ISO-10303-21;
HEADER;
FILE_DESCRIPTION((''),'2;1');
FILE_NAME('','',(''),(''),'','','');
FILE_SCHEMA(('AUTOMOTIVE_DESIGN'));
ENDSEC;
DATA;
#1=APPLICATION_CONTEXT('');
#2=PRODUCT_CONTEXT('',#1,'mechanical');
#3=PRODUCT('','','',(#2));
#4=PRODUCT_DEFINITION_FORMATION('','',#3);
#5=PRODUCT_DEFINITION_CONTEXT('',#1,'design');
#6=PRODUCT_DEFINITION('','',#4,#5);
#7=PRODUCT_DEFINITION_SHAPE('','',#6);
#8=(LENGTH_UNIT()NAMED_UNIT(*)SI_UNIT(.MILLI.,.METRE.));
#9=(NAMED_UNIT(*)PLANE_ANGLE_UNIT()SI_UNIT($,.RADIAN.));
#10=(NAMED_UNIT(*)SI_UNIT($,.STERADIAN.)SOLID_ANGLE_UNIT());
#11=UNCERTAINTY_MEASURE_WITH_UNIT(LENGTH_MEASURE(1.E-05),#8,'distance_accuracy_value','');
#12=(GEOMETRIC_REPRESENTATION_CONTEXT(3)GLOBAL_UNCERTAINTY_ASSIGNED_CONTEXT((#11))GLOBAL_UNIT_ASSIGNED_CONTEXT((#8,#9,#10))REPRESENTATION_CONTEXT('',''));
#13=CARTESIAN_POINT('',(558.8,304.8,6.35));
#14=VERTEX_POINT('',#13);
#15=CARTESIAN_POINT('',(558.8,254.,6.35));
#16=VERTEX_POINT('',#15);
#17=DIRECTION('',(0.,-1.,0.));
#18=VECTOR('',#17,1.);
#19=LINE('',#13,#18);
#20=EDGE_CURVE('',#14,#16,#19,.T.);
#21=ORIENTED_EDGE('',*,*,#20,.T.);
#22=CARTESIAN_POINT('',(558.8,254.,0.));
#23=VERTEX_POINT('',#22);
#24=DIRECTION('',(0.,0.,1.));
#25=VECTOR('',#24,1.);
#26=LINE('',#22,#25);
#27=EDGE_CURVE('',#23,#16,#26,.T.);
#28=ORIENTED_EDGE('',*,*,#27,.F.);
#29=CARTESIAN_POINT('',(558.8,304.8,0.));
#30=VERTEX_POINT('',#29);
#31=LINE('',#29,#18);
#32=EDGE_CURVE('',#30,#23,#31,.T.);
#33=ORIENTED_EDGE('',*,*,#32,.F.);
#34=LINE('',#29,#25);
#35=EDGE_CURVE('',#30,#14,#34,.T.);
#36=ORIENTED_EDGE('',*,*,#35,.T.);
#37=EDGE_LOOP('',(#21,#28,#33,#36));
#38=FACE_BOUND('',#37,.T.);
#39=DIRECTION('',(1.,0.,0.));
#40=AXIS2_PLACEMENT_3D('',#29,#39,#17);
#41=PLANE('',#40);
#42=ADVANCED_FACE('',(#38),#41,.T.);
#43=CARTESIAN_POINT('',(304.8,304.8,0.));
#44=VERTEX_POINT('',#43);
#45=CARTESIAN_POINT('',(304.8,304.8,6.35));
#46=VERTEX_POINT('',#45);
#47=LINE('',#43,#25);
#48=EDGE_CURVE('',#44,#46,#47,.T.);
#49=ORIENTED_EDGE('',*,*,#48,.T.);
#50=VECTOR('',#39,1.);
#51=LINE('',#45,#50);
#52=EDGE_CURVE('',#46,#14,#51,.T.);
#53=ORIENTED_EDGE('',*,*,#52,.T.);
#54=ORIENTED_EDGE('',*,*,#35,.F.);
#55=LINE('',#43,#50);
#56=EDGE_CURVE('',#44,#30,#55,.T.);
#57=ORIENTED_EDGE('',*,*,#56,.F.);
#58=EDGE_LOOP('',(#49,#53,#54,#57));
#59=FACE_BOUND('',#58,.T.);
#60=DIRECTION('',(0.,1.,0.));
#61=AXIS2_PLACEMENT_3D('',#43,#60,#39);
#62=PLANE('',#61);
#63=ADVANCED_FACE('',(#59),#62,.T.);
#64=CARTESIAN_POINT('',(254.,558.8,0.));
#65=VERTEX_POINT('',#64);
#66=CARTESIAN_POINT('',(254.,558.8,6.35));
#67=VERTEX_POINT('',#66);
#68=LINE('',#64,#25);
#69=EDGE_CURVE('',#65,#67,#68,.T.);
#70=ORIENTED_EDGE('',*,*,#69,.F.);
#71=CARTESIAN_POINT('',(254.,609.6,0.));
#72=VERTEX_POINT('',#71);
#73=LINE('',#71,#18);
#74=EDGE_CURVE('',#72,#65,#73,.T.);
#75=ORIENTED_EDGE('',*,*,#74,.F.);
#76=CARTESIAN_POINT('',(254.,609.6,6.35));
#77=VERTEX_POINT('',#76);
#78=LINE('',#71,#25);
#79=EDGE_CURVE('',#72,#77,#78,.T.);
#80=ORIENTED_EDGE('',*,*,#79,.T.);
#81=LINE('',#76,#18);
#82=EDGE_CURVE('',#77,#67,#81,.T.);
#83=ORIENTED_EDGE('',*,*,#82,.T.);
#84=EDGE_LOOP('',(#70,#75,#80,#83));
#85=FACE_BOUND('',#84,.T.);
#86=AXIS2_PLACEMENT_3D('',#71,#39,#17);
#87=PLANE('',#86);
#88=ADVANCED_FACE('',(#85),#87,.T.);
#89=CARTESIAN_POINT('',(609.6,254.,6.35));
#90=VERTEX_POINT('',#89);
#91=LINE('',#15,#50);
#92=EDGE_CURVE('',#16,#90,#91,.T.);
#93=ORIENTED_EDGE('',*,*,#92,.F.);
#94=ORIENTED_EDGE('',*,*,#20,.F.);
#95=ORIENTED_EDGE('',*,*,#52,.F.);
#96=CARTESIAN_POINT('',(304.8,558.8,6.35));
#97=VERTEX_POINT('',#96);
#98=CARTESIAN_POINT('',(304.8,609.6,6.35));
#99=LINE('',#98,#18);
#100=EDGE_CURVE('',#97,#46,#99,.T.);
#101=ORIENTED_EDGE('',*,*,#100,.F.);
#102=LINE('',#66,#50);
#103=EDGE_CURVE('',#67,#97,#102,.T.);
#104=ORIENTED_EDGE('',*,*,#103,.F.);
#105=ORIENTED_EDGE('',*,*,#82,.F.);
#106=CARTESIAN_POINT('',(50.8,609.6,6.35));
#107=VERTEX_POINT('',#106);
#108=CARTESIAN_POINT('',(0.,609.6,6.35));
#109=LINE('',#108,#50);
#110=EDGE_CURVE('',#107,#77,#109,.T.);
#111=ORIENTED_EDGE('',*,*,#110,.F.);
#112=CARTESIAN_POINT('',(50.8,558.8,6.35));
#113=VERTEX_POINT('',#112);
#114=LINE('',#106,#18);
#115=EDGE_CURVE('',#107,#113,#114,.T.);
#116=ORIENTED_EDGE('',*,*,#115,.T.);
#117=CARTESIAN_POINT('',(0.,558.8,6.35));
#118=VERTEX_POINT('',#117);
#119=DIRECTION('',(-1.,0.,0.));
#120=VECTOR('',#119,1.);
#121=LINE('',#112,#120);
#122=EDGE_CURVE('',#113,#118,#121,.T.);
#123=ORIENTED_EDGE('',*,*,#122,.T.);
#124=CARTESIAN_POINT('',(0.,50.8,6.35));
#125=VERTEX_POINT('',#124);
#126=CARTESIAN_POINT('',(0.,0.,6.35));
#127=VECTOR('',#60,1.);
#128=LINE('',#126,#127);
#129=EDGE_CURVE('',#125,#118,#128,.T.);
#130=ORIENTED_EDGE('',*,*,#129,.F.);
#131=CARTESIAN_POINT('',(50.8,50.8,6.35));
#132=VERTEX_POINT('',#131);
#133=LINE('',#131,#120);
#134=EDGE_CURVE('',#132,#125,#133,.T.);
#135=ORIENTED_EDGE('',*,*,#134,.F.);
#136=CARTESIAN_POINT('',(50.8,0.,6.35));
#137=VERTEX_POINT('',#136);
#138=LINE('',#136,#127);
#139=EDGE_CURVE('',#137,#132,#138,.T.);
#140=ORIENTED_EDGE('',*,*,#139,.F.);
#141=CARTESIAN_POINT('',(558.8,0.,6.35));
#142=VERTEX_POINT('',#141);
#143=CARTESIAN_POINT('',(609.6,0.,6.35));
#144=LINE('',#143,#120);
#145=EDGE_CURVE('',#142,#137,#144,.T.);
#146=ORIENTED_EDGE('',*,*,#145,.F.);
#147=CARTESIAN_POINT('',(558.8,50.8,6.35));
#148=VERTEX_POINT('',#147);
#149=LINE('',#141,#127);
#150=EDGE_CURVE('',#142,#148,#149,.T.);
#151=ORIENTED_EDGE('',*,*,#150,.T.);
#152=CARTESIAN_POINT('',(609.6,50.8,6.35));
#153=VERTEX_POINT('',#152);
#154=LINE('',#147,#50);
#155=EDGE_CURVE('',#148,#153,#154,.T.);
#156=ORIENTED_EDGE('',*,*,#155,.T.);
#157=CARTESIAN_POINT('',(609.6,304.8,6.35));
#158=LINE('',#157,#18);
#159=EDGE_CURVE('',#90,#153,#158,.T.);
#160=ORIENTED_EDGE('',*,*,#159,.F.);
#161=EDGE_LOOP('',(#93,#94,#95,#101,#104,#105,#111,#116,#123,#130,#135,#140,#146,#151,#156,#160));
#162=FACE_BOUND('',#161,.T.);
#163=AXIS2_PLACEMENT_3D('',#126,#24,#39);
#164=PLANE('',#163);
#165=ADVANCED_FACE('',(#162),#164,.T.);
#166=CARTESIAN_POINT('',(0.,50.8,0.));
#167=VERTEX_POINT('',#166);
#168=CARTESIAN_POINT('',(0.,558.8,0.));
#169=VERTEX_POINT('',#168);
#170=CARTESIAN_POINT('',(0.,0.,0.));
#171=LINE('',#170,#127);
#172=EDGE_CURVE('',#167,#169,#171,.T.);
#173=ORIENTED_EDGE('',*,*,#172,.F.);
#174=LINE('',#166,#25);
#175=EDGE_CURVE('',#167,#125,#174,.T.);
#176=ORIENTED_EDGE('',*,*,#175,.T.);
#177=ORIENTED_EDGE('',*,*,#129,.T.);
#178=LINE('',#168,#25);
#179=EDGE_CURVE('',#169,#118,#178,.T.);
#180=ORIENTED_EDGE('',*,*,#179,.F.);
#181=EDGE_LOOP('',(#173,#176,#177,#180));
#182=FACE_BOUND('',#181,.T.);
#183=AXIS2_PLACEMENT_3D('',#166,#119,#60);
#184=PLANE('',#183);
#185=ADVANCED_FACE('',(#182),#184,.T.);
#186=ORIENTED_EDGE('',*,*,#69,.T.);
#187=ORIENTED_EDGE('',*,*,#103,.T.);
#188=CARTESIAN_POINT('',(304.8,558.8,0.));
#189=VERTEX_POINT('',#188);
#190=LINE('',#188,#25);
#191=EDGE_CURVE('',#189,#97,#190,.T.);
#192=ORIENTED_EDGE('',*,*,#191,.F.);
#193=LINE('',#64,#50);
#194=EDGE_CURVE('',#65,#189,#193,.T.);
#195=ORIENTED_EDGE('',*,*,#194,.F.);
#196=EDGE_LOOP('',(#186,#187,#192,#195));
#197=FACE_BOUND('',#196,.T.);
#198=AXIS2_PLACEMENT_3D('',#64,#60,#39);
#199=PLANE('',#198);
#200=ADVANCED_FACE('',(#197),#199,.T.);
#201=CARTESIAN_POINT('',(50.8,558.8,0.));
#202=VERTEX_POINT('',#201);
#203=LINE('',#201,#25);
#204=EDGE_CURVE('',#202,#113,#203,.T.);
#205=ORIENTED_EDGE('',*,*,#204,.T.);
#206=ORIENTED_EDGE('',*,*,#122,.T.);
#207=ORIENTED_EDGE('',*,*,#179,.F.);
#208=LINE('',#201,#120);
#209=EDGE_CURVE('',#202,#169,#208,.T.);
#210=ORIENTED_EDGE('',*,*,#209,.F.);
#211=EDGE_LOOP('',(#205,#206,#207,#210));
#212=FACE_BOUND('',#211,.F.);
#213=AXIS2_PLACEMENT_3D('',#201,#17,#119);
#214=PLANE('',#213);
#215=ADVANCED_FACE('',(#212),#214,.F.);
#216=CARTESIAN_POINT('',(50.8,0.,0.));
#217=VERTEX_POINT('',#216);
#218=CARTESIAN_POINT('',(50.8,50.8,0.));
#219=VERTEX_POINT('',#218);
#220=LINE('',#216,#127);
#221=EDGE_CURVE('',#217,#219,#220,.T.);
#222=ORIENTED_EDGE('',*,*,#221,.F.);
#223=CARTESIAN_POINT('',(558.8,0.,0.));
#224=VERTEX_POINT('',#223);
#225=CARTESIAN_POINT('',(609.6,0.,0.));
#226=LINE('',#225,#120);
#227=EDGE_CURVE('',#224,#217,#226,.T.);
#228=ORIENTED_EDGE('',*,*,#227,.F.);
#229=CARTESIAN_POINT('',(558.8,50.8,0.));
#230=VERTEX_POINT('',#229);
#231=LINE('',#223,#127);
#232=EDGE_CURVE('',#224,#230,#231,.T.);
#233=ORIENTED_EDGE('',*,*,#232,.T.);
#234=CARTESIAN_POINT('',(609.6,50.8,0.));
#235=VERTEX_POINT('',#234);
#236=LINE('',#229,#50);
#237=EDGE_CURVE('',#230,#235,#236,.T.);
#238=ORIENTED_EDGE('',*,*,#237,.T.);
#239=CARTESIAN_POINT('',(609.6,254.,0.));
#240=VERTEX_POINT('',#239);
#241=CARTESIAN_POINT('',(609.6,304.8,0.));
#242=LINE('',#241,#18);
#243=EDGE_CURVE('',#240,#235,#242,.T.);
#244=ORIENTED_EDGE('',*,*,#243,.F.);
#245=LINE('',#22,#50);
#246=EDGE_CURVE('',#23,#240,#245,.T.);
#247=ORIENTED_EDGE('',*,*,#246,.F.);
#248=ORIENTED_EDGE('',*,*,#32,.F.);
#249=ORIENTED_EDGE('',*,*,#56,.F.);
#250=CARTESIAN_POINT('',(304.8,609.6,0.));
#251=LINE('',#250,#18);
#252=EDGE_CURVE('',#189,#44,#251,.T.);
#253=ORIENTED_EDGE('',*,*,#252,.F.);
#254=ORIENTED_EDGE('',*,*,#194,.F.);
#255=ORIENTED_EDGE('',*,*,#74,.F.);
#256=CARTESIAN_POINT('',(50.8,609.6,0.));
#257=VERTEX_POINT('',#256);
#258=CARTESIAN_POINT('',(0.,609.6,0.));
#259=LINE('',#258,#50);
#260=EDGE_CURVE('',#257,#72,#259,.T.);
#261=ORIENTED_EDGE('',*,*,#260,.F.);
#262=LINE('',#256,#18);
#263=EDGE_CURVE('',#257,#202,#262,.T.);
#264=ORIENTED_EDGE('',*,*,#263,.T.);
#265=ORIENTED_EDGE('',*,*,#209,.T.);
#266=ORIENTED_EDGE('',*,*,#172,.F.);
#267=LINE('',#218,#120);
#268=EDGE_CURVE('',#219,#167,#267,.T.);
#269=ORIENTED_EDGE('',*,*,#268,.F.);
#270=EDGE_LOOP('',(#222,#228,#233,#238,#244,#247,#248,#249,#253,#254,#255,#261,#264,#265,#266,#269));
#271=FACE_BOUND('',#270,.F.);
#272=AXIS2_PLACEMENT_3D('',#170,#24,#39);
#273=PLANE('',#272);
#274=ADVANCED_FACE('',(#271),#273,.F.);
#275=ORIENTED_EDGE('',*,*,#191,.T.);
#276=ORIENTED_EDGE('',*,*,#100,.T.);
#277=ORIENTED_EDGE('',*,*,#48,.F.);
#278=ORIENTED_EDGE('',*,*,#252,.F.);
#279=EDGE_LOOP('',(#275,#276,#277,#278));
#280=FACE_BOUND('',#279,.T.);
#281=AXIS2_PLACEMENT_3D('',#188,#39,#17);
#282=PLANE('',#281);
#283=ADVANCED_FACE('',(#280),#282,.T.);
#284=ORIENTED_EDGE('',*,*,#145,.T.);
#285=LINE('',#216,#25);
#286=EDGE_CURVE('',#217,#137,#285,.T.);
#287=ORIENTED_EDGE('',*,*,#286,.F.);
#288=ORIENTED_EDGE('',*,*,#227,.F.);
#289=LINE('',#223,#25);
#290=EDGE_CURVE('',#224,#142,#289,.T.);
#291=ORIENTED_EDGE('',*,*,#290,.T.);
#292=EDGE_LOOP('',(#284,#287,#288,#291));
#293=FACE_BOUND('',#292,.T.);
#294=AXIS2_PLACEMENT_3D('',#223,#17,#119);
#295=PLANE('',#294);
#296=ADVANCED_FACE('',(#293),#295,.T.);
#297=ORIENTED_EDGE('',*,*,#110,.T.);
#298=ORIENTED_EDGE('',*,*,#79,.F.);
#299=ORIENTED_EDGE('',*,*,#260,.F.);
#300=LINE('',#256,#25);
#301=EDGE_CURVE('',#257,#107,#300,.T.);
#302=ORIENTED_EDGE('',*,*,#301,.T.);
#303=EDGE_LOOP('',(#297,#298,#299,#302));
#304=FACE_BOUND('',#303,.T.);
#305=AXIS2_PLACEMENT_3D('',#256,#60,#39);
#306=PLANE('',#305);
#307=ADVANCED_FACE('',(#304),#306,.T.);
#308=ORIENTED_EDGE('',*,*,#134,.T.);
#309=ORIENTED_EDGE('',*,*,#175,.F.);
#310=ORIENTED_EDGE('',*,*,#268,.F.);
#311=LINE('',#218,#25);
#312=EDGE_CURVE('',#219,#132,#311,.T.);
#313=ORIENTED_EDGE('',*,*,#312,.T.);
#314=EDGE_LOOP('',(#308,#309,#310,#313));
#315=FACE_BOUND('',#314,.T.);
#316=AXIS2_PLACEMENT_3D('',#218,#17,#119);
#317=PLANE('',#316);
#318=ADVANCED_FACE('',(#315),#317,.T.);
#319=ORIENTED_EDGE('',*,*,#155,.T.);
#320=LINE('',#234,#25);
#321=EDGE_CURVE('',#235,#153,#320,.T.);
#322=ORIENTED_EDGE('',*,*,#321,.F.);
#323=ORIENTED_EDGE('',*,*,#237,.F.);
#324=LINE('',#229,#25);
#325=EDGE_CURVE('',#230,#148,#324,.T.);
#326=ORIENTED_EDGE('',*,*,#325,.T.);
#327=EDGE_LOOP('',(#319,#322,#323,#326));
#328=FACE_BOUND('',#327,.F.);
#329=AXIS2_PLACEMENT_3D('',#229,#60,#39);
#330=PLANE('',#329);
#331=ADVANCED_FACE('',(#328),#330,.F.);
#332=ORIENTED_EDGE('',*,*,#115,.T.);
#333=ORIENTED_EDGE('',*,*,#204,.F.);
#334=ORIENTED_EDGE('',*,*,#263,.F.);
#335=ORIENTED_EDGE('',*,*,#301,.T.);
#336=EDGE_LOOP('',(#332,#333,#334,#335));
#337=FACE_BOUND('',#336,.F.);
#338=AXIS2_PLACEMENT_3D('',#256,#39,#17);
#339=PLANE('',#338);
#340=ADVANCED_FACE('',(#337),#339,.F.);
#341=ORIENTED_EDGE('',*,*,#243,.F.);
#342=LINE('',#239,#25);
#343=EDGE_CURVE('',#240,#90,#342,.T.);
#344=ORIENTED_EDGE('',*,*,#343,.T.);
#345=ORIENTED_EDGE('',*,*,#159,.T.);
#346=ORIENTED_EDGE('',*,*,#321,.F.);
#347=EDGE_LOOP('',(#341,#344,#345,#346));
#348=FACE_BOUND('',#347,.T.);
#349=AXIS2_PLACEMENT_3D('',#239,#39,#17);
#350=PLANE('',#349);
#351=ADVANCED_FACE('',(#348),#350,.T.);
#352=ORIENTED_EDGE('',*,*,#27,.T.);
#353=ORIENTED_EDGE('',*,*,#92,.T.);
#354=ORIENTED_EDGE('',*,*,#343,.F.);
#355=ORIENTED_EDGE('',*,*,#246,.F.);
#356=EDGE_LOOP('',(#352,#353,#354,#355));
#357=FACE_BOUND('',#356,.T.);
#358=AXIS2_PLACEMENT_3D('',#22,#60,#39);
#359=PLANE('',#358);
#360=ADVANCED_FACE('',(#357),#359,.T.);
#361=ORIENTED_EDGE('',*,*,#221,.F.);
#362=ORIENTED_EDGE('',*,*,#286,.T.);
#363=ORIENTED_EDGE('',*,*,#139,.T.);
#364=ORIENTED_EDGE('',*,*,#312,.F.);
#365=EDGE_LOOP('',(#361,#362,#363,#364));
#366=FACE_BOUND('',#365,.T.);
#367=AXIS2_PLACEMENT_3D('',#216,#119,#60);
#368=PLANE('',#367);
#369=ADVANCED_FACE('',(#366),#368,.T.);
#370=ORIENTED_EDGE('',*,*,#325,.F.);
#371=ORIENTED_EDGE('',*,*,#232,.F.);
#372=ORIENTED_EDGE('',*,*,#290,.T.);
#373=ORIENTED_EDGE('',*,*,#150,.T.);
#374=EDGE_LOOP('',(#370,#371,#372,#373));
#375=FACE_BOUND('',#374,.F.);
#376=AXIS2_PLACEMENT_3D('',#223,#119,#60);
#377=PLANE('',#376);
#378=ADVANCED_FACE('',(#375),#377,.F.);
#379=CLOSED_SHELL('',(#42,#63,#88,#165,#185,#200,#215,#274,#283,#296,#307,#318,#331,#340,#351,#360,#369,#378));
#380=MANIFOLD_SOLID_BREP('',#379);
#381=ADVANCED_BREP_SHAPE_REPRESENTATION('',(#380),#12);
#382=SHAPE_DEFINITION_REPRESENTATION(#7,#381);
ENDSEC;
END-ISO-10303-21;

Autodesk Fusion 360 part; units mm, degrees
sketch "Sketch1" plane through (0, 0, 0) normal (0, 0, 1) x (1, 0, 0)
  line L0 (0, 0) -> (0, 609.6)
  line L1 (0, 609.6) -> (304.8, 609.6)
  line L2 (304.8, 609.6) -> (304.8, 304.8)
  line L3 (304.8, 304.8) -> (609.6, 304.8)
  line L4 (609.6, 304.8) -> (609.6, 0)
  line L5 (609.6, 0) -> (0, 0)
  line L6 (609.6, 0) -> (558.8, 0)
  line L7 (558.8, 0) -> (558.8, 50.8)
  line L8 (558.8, 50.8) -> (609.6, 50.8)
  line L9 (609.6, 50.8) -> (609.6, 0)
  line L10 (609.6, 304.8) -> (558.8, 304.8)
  line L11 (558.8, 304.8) -> (558.8, 254)
  line L12 (558.8, 254) -> (609.6, 254)
  line L13 (609.6, 254) -> (609.6, 304.8)
  line L14 (0, 0) -> (50.8, 0)
  line L15 (50.8, 0) -> (50.8, 50.8)
  line L16 (50.8, 50.8) -> (0, 50.8)
  line L17 (0, 50.8) -> (0, 0)
  line L18 (0, 609.6) -> (50.8, 609.6)
  line L19 (50.8, 609.6) -> (50.8, 558.8)
  line L20 (50.8, 558.8) -> (0, 558.8)
  line L21 (0, 558.8) -> (0, 609.6)
  line L22 (304.8, 609.6) -> (254, 609.6)
  line L23 (254, 609.6) -> (254, 558.8)
  line L24 (254, 558.8) -> (304.8, 558.8)
  line L25 (304.8, 558.8) -> (304.8, 609.6)
  dimension "d1" = 304.8
  dimension "d2" = 609.6
  dimension "d3" = 304.8
  dimension "d4" = 609.6
  dimension "d7" = 50.8
  dimension "d8" = 50.8
  dimension "d9" = 50.8
  dimension "d10" = 50.8
  dimension "d11" = 50.8
  dimension "d12" = 50.8
extrude "Extrude1" add sketch "Sketch1" along normal blind 6.35 contours L0 L1 L2 L3 L4 L5 L7 L8 L11 L12 L15 L16 L19 L20 L23 L24
